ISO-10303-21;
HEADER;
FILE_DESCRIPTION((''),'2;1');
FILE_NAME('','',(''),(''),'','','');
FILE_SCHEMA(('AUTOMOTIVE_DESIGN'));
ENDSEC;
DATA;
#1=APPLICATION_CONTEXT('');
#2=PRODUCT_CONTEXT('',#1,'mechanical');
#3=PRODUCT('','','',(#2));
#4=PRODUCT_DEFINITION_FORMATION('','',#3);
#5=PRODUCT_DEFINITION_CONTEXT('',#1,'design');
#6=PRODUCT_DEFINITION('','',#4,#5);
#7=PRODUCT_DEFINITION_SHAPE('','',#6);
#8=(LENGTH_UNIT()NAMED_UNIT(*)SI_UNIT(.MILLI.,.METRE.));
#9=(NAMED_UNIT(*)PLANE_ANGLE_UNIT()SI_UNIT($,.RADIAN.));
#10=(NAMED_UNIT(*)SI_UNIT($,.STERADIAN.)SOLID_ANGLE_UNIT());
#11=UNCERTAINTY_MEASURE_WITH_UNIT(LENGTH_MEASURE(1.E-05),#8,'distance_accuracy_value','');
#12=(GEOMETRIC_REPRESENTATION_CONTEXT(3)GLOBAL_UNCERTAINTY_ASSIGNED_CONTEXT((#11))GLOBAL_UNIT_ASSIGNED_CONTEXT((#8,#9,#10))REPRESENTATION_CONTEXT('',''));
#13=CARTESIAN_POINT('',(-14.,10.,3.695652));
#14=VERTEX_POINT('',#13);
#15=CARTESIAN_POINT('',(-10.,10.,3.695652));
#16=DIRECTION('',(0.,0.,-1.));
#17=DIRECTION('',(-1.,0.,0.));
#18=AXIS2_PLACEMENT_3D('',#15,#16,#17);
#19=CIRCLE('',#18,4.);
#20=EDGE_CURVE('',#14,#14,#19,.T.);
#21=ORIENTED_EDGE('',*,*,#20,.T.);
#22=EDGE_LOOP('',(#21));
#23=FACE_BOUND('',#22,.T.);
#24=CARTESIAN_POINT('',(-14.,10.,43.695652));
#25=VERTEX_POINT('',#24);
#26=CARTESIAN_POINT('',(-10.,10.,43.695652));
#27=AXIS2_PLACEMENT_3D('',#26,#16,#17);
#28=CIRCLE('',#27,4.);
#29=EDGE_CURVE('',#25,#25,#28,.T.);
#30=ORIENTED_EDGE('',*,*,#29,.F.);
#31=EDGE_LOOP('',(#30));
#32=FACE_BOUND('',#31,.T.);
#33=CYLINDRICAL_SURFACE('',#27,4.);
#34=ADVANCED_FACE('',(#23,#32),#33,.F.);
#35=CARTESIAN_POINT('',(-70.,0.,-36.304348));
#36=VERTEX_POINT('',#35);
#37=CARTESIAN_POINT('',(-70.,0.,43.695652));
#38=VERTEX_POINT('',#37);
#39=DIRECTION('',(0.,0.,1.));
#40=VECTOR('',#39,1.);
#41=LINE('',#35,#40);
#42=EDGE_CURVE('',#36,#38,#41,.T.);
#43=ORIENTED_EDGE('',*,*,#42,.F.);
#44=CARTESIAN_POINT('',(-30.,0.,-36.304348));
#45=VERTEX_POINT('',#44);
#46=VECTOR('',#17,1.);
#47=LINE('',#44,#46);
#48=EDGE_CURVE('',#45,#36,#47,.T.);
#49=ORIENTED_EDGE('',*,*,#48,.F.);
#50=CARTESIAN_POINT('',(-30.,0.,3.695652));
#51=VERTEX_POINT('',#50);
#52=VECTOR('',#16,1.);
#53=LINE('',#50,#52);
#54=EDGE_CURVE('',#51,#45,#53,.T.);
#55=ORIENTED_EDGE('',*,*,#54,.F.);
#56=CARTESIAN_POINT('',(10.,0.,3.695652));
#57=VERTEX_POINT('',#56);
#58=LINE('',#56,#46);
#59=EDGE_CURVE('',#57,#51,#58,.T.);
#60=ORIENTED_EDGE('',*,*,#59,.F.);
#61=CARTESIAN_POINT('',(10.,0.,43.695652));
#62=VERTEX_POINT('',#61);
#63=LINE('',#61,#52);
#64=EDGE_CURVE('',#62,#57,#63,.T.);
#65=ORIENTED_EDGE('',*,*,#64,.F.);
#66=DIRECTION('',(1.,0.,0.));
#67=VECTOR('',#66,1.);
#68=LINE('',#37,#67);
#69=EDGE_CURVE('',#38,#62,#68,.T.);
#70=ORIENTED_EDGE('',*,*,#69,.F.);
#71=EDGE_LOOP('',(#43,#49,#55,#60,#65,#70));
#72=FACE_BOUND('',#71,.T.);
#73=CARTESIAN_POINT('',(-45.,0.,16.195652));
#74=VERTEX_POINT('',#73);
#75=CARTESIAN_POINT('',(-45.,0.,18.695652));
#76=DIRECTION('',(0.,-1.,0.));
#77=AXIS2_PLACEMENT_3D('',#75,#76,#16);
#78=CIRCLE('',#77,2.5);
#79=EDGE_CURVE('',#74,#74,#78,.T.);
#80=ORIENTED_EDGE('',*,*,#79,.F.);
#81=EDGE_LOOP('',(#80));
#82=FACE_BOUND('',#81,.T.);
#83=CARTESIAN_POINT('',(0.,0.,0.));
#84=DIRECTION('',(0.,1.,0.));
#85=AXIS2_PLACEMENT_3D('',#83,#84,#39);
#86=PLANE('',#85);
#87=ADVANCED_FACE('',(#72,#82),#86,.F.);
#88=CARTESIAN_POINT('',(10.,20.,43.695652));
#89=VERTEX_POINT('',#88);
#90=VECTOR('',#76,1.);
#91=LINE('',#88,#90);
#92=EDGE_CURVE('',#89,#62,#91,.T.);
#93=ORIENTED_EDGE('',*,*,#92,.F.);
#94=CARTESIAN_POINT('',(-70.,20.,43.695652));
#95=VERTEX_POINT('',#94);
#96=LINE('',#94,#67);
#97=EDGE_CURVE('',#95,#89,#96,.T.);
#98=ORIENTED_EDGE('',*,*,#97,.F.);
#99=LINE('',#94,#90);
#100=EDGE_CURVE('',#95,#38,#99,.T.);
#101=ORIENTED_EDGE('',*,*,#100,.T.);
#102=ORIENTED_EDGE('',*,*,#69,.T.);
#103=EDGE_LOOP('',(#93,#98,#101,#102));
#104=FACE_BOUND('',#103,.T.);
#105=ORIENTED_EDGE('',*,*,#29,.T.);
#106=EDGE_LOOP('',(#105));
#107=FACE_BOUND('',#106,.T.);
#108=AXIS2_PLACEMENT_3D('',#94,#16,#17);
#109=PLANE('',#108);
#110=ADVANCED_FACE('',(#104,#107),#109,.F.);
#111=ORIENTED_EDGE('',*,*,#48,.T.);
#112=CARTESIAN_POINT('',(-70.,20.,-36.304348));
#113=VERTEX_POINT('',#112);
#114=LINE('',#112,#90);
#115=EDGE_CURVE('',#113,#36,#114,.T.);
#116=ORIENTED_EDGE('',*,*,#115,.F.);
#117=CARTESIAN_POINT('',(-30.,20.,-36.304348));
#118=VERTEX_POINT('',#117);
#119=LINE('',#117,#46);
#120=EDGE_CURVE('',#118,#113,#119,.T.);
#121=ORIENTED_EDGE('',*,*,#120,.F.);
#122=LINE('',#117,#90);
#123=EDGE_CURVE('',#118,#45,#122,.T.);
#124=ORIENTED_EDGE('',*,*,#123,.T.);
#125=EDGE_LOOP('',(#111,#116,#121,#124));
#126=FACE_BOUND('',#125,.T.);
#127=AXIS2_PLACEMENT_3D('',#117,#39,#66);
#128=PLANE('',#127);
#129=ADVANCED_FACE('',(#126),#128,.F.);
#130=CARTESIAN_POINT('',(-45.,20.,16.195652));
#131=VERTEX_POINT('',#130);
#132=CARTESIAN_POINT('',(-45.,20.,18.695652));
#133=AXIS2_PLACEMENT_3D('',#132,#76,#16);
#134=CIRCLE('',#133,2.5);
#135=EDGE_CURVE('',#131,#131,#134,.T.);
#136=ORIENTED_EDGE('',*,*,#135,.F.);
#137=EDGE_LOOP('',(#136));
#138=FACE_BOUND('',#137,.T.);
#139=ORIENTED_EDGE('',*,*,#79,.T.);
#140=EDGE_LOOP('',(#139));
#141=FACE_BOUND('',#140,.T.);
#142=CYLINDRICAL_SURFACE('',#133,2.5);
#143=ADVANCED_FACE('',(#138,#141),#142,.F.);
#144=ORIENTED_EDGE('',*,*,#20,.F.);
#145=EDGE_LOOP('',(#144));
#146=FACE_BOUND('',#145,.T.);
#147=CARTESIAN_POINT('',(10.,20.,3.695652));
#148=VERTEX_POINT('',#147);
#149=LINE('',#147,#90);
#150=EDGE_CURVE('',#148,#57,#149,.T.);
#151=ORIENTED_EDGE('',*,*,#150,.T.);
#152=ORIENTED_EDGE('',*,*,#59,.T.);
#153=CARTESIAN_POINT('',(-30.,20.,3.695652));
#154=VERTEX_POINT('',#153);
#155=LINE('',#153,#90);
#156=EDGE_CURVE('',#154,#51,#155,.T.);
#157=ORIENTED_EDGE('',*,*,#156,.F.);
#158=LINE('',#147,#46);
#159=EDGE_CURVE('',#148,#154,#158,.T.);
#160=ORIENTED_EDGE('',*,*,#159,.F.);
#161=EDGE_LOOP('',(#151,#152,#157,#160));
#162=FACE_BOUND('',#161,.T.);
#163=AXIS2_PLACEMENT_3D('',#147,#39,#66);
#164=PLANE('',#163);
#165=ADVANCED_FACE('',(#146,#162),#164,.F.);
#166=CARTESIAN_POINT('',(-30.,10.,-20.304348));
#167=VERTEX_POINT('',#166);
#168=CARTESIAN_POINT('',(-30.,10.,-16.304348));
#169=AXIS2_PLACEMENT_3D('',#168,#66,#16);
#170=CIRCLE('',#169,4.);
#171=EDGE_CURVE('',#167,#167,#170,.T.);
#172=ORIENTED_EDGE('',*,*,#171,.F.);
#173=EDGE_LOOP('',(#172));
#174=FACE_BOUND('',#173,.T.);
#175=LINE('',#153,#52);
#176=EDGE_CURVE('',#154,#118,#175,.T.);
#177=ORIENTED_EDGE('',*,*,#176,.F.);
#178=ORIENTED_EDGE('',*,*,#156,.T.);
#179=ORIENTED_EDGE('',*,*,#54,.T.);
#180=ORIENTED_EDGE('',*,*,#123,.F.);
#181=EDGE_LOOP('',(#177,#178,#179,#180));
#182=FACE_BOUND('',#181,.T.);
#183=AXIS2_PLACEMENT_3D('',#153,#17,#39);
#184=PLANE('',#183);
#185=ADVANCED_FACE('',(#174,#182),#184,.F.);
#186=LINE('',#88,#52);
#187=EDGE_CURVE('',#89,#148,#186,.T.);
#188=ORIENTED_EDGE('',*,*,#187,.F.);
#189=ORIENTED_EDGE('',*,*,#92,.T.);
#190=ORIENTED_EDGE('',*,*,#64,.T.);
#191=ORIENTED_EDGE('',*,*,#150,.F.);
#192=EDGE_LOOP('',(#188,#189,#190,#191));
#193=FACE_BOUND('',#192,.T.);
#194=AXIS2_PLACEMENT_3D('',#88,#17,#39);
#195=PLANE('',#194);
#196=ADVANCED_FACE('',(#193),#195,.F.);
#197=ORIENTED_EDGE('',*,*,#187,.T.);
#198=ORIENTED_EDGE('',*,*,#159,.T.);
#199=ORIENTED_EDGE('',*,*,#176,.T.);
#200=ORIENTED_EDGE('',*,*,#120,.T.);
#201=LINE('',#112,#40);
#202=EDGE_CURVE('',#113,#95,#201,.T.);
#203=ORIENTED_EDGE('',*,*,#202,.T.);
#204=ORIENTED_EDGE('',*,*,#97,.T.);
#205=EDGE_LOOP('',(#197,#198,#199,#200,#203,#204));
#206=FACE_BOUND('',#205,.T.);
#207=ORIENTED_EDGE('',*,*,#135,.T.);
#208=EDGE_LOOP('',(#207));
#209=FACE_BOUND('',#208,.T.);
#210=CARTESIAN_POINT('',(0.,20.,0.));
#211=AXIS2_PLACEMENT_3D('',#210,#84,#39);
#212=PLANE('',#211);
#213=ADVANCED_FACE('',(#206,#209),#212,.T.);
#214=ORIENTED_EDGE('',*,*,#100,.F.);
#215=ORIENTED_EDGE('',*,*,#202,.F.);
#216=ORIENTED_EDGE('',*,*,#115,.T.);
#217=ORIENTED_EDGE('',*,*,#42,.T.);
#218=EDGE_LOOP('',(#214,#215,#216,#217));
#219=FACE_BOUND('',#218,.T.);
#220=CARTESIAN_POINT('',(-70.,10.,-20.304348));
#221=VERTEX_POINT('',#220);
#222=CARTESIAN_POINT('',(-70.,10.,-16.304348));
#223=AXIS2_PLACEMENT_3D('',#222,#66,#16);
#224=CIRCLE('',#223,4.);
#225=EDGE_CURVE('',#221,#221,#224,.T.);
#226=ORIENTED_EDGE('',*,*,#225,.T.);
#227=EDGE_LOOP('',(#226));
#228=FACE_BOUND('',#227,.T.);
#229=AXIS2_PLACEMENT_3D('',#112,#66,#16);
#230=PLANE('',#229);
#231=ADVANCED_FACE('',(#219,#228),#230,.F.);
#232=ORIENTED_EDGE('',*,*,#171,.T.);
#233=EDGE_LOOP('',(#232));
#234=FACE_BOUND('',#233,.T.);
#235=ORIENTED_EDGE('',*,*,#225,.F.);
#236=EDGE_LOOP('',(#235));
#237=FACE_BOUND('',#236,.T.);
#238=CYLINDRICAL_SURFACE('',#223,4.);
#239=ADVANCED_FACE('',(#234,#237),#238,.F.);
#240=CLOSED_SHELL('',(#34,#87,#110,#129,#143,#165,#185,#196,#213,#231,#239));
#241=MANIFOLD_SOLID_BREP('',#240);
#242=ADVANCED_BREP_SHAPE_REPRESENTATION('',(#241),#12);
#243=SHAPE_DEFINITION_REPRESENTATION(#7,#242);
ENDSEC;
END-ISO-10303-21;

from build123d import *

# Parameters (mm, degrees)
RESSALTO_EXTRUS_O1_DEPTH = 20
ESBO_O3_R                = 4
CORTE_EXTRUS_O1_DEPTH    = 63.524475359
ESBO_O4_R                = 4
CORTE_EXTRUS_O2_DEPTH    = 84.066238629
ESBO_O5_R                = 2.5
CORTE_EXTRUS_O3_DEPTH    = 85.907655832


with BuildPart() as part:
    # Esboço1 → Ressalto-extrusão1 (new body)
    with BuildSketch(Plane(origin=(0, 0, 0), x_dir=(1, 0, 0), z_dir=(0, 1, 0))):
        Polygon((-70, 36.304347826), (-70, -43.695652174), (10, -43.695652174), (10, -3.695652174), (-30, -3.695652174), (-30, 36.304347826), align=None)
    extrude(amount=RESSALTO_EXTRUS_O1_DEPTH)

    # Esboço3 → Corte-extrusão1 (cut, through all)
    with BuildSketch(Plane(origin=(-30, 0, 0), x_dir=(0, 0, -1), z_dir=(1, 0, 0))):
        with Locations((16.304347826, 10)):
            Circle(ESBO_O3_R)
    extrude(amount=-CORTE_EXTRUS_O1_DEPTH, mode=Mode.SUBTRACT)

    # Esboço4 → Corte-extrusão2 (cut, through all)
    with BuildSketch(Plane(origin=(0, 0, 3.695652174), x_dir=(-1, 0, 0), z_dir=(0, 0, -1))):
        with Locations((10, 10)):
            Circle(ESBO_O4_R)
    extrude(amount=-CORTE_EXTRUS_O2_DEPTH, mode=Mode.SUBTRACT)

    # Esboço5 → Corte-extrusão3 (cut, through all)
    with BuildSketch(Plane.XZ):
        with Locations(Location((-45, 18.695652174, 0), (0, 0, 270))):
            Circle(ESBO_O5_R)
    extrude(amount=-CORTE_EXTRUS_O3_DEPTH, mode=Mode.SUBTRACT)


solid = part.part
